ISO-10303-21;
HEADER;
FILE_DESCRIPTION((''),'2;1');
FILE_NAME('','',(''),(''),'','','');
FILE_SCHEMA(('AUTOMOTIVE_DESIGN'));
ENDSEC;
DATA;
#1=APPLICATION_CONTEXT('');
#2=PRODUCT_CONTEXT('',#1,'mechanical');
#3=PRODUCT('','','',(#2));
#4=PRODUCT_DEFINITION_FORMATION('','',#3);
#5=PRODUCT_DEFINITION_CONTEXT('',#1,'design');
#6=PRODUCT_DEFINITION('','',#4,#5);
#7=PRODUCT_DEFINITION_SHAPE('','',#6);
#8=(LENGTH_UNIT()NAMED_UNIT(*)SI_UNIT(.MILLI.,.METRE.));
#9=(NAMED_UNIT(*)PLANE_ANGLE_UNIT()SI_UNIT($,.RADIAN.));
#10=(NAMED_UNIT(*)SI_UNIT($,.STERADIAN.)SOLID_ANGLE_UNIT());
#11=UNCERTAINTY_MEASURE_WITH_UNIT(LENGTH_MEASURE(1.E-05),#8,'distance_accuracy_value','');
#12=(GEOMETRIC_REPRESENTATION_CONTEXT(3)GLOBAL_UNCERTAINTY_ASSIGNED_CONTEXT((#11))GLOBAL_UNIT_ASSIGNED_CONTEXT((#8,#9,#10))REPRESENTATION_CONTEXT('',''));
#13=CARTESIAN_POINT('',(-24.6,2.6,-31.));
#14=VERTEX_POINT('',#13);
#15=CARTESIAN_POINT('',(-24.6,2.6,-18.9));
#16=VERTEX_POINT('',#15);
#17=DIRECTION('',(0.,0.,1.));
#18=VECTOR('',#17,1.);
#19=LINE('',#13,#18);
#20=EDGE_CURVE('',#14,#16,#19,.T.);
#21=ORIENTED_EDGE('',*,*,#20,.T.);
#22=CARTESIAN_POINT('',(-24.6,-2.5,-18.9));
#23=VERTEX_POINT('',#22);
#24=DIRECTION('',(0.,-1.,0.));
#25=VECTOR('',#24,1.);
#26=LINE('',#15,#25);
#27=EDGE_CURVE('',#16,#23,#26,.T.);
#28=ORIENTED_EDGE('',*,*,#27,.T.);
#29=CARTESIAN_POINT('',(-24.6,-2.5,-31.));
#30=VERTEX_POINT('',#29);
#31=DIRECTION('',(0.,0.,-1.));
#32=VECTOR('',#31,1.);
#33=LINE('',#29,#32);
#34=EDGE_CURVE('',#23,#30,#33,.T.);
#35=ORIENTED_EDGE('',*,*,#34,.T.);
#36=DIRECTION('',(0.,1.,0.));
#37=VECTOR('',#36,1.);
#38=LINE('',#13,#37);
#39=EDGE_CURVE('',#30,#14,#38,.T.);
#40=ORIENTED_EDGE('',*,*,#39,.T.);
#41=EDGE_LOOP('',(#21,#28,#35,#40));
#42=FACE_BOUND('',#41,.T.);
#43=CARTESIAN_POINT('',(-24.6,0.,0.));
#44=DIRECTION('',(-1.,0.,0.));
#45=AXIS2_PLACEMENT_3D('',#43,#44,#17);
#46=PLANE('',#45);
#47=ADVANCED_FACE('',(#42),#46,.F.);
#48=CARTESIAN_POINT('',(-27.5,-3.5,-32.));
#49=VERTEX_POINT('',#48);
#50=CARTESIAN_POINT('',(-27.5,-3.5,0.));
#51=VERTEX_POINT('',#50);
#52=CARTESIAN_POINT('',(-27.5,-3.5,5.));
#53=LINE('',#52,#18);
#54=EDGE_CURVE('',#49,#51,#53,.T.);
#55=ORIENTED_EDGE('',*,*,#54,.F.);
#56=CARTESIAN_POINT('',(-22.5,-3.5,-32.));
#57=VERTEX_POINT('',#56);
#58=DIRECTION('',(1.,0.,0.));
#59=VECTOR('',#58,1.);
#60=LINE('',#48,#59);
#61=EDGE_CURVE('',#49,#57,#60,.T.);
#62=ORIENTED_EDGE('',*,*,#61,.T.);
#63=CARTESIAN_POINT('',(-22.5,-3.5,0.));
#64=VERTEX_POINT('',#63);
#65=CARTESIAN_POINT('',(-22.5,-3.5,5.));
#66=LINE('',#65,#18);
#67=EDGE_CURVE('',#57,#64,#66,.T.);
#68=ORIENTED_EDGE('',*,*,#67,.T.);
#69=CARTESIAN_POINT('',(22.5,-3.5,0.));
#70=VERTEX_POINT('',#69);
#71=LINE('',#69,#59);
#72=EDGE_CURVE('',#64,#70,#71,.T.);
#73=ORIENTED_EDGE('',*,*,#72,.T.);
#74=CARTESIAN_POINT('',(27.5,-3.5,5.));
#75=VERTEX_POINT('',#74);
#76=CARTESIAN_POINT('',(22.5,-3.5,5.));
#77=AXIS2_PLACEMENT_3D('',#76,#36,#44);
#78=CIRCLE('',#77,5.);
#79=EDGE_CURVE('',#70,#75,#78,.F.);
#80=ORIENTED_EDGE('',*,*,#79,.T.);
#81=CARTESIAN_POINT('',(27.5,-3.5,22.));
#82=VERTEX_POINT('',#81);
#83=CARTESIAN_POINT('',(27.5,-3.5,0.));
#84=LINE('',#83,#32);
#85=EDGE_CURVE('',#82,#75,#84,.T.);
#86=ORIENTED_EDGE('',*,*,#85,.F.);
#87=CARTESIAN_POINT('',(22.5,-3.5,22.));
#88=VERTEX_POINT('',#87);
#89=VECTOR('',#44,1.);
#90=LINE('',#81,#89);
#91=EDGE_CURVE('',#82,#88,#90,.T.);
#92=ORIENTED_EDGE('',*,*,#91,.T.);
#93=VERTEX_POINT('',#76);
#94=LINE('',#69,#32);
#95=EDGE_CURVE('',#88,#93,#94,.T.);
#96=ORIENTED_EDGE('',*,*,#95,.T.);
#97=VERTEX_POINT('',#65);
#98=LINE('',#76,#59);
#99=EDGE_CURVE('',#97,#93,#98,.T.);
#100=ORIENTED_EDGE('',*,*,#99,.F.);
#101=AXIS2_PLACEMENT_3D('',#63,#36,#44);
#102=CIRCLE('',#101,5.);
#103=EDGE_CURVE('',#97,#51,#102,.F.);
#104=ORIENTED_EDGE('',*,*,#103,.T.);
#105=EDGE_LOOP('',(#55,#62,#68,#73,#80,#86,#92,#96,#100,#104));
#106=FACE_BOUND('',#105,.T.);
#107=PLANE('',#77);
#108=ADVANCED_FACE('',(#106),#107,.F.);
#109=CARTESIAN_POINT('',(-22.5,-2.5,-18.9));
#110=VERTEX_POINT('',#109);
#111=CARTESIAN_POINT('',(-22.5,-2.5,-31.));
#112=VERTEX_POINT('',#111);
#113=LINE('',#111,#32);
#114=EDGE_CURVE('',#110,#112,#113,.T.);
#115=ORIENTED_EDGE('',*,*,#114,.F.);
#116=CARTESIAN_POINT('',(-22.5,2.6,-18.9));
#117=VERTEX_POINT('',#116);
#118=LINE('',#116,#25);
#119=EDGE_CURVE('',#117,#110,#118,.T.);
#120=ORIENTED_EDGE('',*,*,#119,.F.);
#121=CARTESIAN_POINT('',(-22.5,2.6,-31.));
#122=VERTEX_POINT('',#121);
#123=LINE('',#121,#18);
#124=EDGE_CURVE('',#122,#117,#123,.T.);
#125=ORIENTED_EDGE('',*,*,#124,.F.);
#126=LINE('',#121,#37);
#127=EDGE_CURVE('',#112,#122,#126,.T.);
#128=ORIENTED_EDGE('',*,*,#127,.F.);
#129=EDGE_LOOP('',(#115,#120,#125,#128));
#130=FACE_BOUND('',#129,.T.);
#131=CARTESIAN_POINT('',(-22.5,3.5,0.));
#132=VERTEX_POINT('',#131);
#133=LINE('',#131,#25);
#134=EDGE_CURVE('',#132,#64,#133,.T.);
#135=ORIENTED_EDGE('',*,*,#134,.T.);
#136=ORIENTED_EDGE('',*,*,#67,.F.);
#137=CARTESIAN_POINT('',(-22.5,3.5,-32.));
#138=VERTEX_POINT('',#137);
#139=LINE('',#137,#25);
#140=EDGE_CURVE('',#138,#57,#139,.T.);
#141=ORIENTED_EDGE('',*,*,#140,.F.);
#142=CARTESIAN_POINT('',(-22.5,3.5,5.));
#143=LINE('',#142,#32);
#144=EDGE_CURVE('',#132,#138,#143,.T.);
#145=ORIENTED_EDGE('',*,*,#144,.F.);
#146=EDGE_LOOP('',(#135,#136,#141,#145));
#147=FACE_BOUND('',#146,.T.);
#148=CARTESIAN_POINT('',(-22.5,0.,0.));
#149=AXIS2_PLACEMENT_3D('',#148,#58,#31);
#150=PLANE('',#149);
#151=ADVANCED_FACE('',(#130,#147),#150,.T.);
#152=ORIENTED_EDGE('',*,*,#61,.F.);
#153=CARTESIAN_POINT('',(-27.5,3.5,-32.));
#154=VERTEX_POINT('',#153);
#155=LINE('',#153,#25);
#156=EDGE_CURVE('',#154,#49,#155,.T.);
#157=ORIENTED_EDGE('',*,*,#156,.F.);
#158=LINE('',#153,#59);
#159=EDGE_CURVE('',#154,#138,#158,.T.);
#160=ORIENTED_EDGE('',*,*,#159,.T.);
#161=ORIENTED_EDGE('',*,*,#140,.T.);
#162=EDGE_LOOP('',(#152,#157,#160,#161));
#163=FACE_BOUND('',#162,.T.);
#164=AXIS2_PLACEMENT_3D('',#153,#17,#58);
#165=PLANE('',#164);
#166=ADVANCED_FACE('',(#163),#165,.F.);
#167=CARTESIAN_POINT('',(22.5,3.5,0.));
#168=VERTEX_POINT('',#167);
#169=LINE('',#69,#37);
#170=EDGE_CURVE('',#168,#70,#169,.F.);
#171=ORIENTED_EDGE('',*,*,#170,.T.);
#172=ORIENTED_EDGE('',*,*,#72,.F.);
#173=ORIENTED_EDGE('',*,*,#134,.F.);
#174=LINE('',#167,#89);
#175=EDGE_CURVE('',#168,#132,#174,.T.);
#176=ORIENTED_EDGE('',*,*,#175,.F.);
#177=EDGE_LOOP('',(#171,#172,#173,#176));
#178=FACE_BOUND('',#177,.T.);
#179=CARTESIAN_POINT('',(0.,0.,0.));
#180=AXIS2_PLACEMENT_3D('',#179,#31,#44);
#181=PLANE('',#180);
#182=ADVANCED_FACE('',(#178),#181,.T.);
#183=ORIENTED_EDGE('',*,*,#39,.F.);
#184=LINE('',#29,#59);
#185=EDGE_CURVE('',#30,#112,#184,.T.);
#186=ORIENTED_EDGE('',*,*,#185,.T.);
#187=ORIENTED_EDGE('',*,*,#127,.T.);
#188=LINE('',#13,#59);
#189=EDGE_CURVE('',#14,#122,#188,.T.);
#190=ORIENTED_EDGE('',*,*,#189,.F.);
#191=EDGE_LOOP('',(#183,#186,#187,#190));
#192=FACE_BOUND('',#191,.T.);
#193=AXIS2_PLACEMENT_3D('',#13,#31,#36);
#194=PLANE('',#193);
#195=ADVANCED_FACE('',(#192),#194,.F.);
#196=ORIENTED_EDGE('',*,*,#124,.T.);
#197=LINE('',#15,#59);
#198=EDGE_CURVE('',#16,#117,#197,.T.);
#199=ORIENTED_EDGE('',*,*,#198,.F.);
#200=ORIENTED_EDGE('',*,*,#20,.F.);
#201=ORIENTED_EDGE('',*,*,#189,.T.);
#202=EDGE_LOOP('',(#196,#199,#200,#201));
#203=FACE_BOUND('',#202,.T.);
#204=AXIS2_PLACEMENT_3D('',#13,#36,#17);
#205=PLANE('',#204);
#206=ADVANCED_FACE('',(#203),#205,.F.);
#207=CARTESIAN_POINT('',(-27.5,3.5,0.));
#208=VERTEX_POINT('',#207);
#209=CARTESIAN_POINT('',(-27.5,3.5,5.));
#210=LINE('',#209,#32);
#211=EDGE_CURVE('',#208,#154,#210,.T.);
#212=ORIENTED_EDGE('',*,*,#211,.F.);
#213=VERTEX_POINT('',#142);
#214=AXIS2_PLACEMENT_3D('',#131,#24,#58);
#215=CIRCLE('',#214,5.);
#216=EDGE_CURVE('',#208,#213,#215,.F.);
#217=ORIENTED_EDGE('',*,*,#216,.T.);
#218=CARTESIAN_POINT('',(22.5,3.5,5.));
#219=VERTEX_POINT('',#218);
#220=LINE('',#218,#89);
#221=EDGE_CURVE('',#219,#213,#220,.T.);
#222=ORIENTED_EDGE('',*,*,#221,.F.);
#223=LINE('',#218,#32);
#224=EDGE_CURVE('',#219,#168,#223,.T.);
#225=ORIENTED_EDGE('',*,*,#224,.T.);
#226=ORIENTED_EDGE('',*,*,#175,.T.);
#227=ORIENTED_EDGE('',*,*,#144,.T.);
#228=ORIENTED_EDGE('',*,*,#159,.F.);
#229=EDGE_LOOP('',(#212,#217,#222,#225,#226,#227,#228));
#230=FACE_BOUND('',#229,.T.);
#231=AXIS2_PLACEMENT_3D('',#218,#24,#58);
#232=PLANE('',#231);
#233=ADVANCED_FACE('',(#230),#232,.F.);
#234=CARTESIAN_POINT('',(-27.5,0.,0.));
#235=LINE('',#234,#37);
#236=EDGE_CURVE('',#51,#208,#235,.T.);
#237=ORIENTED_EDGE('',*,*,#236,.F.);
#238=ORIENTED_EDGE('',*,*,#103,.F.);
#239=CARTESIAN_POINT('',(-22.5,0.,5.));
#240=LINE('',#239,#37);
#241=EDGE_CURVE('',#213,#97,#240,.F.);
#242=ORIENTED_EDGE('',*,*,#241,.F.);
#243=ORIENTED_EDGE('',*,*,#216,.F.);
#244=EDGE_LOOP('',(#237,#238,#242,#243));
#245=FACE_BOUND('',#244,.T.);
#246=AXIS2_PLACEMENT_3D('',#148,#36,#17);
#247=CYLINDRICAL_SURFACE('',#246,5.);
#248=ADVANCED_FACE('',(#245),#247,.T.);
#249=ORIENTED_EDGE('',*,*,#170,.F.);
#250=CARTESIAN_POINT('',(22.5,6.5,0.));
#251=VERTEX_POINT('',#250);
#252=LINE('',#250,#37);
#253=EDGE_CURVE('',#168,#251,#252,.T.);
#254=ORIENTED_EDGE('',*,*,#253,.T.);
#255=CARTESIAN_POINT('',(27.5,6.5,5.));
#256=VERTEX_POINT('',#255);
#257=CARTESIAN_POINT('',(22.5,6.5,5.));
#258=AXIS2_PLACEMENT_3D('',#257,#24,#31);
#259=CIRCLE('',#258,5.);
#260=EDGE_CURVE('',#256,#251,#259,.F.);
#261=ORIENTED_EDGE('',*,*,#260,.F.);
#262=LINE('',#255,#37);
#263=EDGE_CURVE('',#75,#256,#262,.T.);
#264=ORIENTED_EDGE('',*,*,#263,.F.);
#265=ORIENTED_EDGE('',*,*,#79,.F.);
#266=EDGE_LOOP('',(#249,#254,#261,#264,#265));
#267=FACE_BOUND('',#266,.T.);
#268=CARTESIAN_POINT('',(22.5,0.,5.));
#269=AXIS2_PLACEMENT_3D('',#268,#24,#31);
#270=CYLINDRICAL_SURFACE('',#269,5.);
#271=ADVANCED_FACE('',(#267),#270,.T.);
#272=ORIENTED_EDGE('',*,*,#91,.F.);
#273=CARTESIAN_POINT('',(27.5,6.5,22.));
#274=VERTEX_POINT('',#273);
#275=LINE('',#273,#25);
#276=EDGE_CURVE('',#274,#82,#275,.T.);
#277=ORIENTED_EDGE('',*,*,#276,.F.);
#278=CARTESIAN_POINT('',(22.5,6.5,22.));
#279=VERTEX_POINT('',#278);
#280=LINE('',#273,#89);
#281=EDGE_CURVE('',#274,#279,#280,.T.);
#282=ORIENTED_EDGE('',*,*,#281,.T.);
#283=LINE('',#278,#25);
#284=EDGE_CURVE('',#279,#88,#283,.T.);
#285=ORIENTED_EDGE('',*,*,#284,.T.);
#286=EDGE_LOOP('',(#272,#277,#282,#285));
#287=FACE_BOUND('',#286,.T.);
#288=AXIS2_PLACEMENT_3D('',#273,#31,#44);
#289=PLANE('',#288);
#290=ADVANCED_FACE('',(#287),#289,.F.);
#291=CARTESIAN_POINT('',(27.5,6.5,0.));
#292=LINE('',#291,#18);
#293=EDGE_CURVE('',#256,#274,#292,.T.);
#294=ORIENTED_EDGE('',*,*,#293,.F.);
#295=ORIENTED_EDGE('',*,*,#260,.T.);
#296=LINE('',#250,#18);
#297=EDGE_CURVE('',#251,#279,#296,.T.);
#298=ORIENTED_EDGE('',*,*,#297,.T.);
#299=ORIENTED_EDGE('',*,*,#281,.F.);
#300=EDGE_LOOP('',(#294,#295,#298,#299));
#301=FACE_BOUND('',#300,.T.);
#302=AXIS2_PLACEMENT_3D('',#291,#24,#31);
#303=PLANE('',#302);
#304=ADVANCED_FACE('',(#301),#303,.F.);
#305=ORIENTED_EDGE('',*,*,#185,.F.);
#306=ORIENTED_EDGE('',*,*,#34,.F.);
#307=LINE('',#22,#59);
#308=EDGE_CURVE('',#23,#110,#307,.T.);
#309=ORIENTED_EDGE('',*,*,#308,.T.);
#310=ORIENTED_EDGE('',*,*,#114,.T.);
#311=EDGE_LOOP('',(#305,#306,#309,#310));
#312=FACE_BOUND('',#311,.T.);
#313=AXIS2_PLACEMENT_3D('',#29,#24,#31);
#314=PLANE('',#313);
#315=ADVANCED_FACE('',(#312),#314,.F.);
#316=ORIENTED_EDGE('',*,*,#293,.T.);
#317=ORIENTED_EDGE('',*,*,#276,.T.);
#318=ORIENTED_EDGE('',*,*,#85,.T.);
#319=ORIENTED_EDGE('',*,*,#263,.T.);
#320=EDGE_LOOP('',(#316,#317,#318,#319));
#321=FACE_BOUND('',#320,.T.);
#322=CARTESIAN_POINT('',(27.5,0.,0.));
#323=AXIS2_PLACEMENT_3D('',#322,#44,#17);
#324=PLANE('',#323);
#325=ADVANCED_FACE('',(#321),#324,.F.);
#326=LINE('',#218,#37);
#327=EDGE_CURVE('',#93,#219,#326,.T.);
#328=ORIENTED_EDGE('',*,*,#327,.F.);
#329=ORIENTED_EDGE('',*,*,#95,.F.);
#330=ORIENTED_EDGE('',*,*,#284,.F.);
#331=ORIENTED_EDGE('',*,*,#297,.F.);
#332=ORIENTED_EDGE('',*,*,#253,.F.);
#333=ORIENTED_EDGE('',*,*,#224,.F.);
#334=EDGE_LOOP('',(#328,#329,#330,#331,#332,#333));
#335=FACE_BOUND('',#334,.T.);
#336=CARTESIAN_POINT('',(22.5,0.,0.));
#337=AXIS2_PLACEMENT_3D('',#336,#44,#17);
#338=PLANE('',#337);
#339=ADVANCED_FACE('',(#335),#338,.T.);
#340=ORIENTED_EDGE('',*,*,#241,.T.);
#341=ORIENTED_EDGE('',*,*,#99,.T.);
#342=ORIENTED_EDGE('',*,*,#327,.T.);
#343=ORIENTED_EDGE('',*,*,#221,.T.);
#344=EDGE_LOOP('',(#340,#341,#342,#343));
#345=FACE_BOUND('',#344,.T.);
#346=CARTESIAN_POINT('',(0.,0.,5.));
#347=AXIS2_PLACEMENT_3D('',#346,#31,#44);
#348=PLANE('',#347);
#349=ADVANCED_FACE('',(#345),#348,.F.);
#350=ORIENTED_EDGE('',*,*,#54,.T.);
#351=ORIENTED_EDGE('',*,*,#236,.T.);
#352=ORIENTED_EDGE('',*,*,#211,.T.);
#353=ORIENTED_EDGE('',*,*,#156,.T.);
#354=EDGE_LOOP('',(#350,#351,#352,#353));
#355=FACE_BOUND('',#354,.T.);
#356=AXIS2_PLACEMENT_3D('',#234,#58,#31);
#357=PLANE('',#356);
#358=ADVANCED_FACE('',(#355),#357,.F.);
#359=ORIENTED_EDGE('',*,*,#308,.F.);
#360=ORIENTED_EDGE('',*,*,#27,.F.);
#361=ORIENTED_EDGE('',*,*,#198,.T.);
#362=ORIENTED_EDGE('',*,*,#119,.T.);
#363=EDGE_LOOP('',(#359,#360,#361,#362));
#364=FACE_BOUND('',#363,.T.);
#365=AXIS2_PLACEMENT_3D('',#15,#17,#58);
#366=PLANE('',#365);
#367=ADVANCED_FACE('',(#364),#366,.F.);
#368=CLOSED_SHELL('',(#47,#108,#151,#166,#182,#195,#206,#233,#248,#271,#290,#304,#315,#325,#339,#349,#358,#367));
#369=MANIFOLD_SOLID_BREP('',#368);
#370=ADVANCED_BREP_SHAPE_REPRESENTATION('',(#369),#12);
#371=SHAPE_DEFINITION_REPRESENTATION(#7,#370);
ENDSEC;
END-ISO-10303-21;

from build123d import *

# Parameters (mm, degrees)
SKETCH1_W           = 45
SKETCH1_H           = 7
BOSS_EXTRUDE1_DEPTH = 5
SKETCH2_W           = 37
SKETCH2_H           = 7
BOSS_EXTRUDE2_DEPTH = 5
FILLET1_R           = 5
SKETCH3_W           = 22
SKETCH3_H           = 10
BOSS_EXTRUDE3_DEPTH = 5
FILLET2_R           = 5
SKETCH4_W           = 12.1
SKETCH4_H           = 5.1
CUT_EXTRUDE1_DEPTH  = 2.1


with BuildPart() as part:
    # Sketch1 → Boss-Extrude1 (new body)
    with BuildSketch(Plane.XY):
        Rectangle(SKETCH1_W, SKETCH1_H)
    extrude(amount=BOSS_EXTRUDE1_DEPTH)

    # Sketch2 → Boss-Extrude2 (add)
    with BuildSketch(Plane.ZY.offset(22.5)):
        with Locations((-13.5, 0)):
            Rectangle(SKETCH2_W, SKETCH2_H)
    extrude(amount=BOSS_EXTRUDE2_DEPTH)

    # Fillet1
    fillet1_edges = [part.edges().sort_by_distance(p)[0] for p in [
        (-27.5, 0, 5),
    ]]
    fillet(fillet1_edges, radius=FILLET1_R)

    # Sketch3 → Boss-Extrude3 (add)
    with BuildSketch(Plane(origin=(22.5, 0, 0), x_dir=(0, 0, -1), z_dir=(1, 0, 0))):
        with Locations((-11, 1.5)):
            Rectangle(SKETCH3_W, SKETCH3_H)
    extrude(amount=BOSS_EXTRUDE3_DEPTH)

    # Fillet2
    fillet2_edges = [part.edges().sort_by_distance(p)[0] for p in [
        (27.5, 1.5, 0),
    ]]
    fillet(fillet2_edges, radius=FILLET2_R)

    # Sketch4 → Cut-Extrude1 (cut)
    with BuildSketch(Plane(origin=(-22.5, 0, 0), x_dir=(0, 0, -1), z_dir=(1, 0, 0))):
        with Locations((24.95, 0.05)):
            Rectangle(SKETCH4_W, SKETCH4_H)
    extrude(amount=-CUT_EXTRUDE1_DEPTH, mode=Mode.SUBTRACT)


solid = part.part
